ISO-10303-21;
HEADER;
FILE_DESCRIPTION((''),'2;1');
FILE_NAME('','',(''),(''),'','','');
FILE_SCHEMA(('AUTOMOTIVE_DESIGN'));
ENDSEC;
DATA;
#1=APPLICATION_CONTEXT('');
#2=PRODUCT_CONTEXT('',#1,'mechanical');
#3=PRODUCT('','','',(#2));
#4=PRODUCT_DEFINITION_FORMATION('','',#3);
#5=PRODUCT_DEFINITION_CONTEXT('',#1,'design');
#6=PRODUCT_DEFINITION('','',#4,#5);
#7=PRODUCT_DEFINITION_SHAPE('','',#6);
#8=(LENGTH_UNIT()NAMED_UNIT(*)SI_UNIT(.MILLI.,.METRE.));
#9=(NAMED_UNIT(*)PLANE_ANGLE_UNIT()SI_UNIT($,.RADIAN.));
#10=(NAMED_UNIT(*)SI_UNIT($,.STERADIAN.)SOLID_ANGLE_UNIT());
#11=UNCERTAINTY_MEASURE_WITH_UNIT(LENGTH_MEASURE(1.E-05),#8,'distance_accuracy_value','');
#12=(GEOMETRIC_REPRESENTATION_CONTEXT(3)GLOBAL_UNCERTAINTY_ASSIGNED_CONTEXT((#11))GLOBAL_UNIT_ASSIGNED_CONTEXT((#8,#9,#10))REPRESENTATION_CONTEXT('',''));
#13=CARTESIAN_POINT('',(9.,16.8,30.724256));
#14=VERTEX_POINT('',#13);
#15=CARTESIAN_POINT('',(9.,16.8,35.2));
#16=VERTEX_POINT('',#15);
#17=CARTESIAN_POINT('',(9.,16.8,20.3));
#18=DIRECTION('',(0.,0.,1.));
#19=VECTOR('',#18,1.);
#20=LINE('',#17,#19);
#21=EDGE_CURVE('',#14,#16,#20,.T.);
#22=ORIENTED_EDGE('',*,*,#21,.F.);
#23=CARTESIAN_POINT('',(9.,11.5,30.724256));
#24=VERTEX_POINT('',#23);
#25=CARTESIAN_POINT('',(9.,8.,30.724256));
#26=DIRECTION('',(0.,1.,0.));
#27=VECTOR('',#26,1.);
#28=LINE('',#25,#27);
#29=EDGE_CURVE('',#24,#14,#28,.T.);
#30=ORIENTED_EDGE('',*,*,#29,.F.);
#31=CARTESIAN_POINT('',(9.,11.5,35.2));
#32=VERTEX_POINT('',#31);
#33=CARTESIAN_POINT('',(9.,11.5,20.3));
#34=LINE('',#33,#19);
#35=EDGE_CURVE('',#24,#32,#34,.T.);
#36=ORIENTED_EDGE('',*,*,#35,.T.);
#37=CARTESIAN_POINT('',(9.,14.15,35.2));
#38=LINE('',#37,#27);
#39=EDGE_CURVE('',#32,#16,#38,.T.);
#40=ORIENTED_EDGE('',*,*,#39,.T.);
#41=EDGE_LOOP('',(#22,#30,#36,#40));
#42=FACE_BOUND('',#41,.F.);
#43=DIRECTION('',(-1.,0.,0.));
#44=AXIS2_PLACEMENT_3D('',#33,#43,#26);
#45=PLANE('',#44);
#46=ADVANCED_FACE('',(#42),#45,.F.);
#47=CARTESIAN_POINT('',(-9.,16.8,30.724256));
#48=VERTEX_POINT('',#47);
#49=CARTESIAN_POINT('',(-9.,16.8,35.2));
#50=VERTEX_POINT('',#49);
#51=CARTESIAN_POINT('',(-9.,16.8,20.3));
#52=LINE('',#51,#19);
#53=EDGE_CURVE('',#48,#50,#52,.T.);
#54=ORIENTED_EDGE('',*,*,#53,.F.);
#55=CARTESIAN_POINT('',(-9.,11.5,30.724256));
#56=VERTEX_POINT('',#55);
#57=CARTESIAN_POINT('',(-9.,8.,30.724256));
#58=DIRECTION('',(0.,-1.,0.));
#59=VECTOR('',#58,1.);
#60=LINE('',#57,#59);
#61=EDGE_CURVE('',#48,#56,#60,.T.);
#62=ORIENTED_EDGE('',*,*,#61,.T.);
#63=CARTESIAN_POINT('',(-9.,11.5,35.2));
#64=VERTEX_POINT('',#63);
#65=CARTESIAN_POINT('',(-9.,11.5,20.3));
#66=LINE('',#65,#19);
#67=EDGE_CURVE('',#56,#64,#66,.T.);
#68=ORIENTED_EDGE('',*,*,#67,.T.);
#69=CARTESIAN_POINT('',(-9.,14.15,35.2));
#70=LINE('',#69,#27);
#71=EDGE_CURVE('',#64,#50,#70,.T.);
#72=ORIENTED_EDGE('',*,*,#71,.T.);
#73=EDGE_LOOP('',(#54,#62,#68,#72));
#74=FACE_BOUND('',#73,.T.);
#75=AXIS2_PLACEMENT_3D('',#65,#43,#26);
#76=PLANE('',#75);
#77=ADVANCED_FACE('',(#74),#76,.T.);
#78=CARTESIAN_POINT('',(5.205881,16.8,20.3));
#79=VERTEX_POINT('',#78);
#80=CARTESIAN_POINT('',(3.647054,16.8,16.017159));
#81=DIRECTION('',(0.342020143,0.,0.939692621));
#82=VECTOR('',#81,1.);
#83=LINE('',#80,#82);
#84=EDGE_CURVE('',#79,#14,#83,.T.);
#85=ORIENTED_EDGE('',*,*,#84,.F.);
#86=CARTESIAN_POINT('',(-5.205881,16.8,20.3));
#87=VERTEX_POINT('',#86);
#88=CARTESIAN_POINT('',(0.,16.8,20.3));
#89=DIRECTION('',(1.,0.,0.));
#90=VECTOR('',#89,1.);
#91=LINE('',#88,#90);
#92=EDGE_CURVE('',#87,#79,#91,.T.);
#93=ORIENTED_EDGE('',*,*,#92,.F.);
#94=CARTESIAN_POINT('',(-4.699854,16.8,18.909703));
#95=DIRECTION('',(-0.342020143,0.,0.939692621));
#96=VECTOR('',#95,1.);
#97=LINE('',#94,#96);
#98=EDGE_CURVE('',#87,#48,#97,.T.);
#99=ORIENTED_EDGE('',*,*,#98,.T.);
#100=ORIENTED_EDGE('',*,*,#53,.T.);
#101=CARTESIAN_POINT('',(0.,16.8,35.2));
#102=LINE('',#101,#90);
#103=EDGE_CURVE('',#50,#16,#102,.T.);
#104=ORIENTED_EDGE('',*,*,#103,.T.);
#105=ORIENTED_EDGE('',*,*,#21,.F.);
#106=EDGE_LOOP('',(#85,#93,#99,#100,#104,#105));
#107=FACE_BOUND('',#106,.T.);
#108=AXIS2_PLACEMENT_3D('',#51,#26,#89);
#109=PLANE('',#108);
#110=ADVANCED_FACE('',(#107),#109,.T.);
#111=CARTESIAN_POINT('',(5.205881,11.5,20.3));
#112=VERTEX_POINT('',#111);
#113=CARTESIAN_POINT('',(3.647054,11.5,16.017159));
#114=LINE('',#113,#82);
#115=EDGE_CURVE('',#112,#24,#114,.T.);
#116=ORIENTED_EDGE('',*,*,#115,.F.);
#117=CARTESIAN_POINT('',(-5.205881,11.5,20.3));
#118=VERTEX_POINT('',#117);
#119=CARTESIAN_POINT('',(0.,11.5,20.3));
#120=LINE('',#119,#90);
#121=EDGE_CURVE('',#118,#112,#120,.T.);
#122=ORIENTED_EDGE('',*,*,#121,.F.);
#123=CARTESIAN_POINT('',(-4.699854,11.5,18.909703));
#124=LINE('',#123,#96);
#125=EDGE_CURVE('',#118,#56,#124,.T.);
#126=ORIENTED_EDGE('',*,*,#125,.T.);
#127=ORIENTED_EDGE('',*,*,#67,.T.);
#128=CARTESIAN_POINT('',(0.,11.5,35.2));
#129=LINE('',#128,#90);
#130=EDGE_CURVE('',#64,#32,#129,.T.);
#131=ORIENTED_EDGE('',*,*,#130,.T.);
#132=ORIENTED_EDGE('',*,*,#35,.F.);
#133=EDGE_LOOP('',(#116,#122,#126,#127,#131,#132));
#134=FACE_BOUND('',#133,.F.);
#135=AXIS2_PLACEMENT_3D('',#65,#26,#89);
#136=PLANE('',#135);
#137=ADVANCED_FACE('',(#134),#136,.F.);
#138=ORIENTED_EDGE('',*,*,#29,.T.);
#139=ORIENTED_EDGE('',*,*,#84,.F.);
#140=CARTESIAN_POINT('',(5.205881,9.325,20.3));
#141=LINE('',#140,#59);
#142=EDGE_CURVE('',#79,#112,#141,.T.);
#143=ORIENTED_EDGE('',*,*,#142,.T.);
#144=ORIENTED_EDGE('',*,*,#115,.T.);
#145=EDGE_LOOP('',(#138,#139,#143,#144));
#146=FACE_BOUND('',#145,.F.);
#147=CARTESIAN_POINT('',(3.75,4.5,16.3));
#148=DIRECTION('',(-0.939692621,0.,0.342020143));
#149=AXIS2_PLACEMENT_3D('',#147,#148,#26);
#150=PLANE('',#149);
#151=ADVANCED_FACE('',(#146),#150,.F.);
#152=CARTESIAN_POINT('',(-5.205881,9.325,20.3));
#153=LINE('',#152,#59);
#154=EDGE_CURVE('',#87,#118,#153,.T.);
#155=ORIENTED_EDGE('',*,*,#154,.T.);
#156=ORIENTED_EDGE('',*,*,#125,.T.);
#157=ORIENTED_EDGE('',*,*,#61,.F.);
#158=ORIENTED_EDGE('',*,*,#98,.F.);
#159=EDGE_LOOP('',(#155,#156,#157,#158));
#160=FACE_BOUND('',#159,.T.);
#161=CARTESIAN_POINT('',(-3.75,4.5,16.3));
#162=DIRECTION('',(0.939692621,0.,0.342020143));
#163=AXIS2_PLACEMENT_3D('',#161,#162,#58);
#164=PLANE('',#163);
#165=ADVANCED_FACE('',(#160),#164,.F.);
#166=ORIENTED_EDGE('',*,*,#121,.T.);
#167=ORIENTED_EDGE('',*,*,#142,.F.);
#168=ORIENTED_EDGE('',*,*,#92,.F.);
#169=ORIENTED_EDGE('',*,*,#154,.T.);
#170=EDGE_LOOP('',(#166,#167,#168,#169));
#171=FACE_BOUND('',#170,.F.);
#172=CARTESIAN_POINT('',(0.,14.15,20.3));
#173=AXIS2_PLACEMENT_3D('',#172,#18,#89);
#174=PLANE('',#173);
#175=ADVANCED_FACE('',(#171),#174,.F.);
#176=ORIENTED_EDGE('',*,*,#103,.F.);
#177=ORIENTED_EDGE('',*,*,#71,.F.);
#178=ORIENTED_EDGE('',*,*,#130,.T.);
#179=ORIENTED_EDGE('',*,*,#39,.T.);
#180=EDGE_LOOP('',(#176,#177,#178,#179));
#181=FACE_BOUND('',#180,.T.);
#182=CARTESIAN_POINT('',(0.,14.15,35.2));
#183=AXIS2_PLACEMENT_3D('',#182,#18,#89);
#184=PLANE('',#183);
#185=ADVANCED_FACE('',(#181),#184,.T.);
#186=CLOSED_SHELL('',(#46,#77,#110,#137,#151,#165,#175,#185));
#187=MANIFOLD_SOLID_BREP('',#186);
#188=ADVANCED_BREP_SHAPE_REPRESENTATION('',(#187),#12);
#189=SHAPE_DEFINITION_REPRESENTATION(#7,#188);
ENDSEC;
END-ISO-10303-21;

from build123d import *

# Parameters (mm, degrees)
BOX406008011_W               = 17.5
BOX406008011_H               = 13.3
BOX406008011_DEPTH           = 19.7
BOX406008011_PLACEMENT_ANGLE = 20
BOX406008010_W               = 17.5
BOX406008010_H               = 13.3
BOX406008010_DEPTH           = 19.7
BOX406008010_PLACEMENT_ANGLE = 20
BOX406008007_W               = 18
BOX406008007_H               = 5.3
BOX406008007_DEPTH           = 14.9


with BuildPart() as cube346:
    # Box406008011 → Box406008011 (new body)
    with BuildSketch(Plane.XY):
        with Locations((8.75, 6.65)):
            Rectangle(BOX406008011_W, BOX406008011_H)
    extrude(amount=BOX406008011_DEPTH)


with BuildPart() as cube346_1:
    # Box406008011 placement: moved
    add(cube346.part.moved(Location((3.75, 6, 30.3))).rotate(Axis((3.75, 6, 30.3), (0, 1, 0)), BOX406008011_PLACEMENT_ANGLE))


with BuildPart() as part_mirroring:
    # Part__Mirroring: instance of Cube346
    add(cube346_1.part.mirror(Plane(origin=(0, 0, 0), x_dir=(0, -1, 0), z_dir=(1, 0, 0))))


with BuildPart() as fusion:
    # Box406008010 → Box406008010 (new body)
    with BuildSketch(Plane.XY):
        with Locations((8.75, 6.65)):
            Rectangle(BOX406008010_W, BOX406008010_H)
    extrude(amount=BOX406008010_DEPTH)


with BuildPart() as fusion_1:
    # Box406008010 placement: moved
    add(fusion.part.moved(Location((3.75, 6, 30.3))).rotate(Axis((3.75, 6, 30.3), (0, 1, 0)), BOX406008010_PLACEMENT_ANGLE))

    # Fusion: union Part__Mirroring
    add(part_mirroring.part)


with BuildPart() as opto_sensor:
    # Box406008007 → Box406008007 (new body)
    with BuildSketch(Plane(origin=(-9, 13, 34.3), x_dir=(1, 0, 0), z_dir=(0, 0, 1))):
        with Locations((9, 2.65)):
            Rectangle(BOX406008007_W, BOX406008007_H)
    extrude(amount=BOX406008007_DEPTH)

    # Cut: cut Fusion
    add(fusion_1.part, mode=Mode.SUBTRACT)


with BuildPart() as opto_sensor_1:
    # Cut placement: moved
    add(opto_sensor.part.moved(Location((0, -1.5, -14))))


solid = opto_sensor_1.part
